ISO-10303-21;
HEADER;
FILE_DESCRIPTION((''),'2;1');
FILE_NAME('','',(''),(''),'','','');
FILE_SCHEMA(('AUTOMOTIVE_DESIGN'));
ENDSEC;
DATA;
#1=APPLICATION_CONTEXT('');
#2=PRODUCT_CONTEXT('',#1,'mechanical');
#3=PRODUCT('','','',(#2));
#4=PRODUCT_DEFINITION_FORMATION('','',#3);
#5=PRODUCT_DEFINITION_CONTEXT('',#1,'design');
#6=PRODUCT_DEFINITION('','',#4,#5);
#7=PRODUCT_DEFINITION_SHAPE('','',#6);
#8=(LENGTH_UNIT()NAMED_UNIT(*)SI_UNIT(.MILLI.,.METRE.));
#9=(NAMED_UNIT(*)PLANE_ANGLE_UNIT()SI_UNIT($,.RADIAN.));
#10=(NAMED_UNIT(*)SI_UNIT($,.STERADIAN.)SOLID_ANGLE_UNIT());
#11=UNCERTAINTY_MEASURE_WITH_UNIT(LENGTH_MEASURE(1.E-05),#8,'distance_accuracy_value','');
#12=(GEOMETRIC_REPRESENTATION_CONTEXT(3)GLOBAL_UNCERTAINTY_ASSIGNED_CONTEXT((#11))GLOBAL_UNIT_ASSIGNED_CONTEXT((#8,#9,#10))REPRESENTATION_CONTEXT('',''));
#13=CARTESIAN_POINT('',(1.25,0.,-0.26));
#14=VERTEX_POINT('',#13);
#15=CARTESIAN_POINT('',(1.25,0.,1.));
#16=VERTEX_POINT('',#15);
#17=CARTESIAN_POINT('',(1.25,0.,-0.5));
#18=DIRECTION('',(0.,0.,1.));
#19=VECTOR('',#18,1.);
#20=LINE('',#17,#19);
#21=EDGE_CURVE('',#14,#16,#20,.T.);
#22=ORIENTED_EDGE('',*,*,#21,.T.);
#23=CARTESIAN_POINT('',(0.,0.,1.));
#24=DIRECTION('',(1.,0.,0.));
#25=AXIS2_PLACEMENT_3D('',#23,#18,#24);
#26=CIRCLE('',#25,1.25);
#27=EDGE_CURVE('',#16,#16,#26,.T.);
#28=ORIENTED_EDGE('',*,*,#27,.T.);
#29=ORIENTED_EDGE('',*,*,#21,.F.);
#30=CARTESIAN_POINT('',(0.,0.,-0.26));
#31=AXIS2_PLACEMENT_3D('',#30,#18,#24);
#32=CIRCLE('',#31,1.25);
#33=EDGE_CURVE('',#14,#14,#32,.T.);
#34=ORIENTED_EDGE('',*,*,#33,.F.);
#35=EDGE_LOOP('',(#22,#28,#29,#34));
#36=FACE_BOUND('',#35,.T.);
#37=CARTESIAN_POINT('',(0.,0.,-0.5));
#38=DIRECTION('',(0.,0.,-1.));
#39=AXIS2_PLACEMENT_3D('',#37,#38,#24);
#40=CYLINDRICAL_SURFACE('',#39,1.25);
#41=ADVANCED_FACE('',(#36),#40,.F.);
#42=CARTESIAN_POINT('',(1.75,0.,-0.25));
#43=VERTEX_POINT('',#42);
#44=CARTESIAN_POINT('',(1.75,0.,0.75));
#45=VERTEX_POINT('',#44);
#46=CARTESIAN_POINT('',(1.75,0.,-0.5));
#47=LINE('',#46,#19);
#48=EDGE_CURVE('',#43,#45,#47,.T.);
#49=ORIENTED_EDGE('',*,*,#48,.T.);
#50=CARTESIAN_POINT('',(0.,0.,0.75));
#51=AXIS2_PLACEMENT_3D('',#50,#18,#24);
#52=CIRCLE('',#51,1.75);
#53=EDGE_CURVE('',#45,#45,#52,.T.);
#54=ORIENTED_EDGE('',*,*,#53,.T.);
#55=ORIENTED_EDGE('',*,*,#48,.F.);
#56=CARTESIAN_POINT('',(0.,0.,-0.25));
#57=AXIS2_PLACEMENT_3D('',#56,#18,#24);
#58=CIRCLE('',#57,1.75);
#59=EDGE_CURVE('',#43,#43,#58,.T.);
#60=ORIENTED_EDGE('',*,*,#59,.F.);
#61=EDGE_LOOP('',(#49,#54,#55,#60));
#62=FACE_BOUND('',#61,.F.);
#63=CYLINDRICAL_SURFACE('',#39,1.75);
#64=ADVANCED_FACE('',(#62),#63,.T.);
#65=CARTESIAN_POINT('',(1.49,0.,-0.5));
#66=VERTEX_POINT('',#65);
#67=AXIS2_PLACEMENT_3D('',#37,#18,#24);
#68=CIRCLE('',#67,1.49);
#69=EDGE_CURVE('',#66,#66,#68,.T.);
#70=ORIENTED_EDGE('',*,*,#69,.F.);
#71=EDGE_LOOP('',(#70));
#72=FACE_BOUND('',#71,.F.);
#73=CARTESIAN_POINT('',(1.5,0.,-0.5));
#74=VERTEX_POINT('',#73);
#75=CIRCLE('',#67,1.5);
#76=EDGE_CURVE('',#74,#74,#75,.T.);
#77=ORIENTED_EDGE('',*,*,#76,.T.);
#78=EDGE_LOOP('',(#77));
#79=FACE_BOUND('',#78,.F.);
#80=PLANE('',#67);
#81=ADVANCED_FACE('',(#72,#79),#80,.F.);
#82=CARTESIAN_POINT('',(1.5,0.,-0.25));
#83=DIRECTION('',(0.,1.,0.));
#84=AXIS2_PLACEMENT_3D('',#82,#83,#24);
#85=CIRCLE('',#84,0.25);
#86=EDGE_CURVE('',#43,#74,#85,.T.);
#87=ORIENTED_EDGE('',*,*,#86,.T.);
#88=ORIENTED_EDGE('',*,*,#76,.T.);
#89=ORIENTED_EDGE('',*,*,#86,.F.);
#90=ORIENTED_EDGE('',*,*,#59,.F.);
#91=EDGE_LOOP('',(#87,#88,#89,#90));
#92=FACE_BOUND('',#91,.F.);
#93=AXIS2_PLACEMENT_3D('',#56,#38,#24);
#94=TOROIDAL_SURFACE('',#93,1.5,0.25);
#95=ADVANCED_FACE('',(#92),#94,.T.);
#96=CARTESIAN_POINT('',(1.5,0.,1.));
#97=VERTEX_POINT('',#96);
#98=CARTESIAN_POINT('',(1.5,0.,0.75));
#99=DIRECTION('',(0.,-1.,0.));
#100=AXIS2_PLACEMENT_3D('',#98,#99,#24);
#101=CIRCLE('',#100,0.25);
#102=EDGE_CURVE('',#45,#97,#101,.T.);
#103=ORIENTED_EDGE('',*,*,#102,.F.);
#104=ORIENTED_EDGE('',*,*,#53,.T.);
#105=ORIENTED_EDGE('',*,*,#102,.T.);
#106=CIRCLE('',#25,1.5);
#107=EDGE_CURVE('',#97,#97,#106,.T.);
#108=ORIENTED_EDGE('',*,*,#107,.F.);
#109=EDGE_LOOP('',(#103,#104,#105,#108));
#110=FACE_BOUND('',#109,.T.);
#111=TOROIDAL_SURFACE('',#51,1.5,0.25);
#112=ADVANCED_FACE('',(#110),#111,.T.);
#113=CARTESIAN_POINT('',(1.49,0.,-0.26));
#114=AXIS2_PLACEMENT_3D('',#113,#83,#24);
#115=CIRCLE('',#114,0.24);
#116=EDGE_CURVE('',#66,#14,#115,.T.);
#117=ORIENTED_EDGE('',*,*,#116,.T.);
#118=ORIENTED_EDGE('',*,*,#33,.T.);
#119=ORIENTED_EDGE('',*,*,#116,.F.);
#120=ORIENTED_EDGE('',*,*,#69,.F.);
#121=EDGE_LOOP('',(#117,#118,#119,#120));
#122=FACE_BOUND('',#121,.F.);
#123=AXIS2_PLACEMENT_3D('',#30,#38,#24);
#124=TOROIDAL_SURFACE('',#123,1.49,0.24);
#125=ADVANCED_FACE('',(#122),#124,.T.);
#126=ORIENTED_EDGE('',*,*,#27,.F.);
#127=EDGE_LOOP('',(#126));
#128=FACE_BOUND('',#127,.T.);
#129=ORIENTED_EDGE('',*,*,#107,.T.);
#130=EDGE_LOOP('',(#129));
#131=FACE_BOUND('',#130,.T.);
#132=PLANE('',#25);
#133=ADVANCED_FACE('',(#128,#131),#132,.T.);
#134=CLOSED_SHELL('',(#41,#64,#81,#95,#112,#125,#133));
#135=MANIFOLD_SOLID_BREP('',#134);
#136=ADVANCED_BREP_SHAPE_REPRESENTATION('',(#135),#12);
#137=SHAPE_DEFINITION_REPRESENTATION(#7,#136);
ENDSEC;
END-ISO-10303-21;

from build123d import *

# Parameters (mm, degrees)
TUBE003_R     = 1.75
TUBE003_R_2   = 1.25
TUBE003_DEPTH = 1.5
FILLET003_1_R = 0.25
FILLET003_2_R = 0.24


with BuildPart() as part:
    # Tube003 → Tube003 (new body)
    with BuildSketch(Plane.XY.offset(-0.5)):
        Circle(TUBE003_R)
        Circle(TUBE003_R_2, mode=Mode.SUBTRACT)
    extrude(amount=TUBE003_DEPTH)

    # Fillet003 1
    fillet003_1_edges = [part.edges().sort_by_distance(p)[0] for p in [
        (-1.75, 0, 1),
        (-1.75, 0, -0.5),
    ]]
    fillet(fillet003_1_edges, radius=FILLET003_1_R)

    # Fillet003 2
    fillet003_2_edges = [part.edges().sort_by_distance(p)[0] for p in [
        (-1.25, 0, -0.5),
    ]]
    fillet(fillet003_2_edges, radius=FILLET003_2_R)


solid = part.part
